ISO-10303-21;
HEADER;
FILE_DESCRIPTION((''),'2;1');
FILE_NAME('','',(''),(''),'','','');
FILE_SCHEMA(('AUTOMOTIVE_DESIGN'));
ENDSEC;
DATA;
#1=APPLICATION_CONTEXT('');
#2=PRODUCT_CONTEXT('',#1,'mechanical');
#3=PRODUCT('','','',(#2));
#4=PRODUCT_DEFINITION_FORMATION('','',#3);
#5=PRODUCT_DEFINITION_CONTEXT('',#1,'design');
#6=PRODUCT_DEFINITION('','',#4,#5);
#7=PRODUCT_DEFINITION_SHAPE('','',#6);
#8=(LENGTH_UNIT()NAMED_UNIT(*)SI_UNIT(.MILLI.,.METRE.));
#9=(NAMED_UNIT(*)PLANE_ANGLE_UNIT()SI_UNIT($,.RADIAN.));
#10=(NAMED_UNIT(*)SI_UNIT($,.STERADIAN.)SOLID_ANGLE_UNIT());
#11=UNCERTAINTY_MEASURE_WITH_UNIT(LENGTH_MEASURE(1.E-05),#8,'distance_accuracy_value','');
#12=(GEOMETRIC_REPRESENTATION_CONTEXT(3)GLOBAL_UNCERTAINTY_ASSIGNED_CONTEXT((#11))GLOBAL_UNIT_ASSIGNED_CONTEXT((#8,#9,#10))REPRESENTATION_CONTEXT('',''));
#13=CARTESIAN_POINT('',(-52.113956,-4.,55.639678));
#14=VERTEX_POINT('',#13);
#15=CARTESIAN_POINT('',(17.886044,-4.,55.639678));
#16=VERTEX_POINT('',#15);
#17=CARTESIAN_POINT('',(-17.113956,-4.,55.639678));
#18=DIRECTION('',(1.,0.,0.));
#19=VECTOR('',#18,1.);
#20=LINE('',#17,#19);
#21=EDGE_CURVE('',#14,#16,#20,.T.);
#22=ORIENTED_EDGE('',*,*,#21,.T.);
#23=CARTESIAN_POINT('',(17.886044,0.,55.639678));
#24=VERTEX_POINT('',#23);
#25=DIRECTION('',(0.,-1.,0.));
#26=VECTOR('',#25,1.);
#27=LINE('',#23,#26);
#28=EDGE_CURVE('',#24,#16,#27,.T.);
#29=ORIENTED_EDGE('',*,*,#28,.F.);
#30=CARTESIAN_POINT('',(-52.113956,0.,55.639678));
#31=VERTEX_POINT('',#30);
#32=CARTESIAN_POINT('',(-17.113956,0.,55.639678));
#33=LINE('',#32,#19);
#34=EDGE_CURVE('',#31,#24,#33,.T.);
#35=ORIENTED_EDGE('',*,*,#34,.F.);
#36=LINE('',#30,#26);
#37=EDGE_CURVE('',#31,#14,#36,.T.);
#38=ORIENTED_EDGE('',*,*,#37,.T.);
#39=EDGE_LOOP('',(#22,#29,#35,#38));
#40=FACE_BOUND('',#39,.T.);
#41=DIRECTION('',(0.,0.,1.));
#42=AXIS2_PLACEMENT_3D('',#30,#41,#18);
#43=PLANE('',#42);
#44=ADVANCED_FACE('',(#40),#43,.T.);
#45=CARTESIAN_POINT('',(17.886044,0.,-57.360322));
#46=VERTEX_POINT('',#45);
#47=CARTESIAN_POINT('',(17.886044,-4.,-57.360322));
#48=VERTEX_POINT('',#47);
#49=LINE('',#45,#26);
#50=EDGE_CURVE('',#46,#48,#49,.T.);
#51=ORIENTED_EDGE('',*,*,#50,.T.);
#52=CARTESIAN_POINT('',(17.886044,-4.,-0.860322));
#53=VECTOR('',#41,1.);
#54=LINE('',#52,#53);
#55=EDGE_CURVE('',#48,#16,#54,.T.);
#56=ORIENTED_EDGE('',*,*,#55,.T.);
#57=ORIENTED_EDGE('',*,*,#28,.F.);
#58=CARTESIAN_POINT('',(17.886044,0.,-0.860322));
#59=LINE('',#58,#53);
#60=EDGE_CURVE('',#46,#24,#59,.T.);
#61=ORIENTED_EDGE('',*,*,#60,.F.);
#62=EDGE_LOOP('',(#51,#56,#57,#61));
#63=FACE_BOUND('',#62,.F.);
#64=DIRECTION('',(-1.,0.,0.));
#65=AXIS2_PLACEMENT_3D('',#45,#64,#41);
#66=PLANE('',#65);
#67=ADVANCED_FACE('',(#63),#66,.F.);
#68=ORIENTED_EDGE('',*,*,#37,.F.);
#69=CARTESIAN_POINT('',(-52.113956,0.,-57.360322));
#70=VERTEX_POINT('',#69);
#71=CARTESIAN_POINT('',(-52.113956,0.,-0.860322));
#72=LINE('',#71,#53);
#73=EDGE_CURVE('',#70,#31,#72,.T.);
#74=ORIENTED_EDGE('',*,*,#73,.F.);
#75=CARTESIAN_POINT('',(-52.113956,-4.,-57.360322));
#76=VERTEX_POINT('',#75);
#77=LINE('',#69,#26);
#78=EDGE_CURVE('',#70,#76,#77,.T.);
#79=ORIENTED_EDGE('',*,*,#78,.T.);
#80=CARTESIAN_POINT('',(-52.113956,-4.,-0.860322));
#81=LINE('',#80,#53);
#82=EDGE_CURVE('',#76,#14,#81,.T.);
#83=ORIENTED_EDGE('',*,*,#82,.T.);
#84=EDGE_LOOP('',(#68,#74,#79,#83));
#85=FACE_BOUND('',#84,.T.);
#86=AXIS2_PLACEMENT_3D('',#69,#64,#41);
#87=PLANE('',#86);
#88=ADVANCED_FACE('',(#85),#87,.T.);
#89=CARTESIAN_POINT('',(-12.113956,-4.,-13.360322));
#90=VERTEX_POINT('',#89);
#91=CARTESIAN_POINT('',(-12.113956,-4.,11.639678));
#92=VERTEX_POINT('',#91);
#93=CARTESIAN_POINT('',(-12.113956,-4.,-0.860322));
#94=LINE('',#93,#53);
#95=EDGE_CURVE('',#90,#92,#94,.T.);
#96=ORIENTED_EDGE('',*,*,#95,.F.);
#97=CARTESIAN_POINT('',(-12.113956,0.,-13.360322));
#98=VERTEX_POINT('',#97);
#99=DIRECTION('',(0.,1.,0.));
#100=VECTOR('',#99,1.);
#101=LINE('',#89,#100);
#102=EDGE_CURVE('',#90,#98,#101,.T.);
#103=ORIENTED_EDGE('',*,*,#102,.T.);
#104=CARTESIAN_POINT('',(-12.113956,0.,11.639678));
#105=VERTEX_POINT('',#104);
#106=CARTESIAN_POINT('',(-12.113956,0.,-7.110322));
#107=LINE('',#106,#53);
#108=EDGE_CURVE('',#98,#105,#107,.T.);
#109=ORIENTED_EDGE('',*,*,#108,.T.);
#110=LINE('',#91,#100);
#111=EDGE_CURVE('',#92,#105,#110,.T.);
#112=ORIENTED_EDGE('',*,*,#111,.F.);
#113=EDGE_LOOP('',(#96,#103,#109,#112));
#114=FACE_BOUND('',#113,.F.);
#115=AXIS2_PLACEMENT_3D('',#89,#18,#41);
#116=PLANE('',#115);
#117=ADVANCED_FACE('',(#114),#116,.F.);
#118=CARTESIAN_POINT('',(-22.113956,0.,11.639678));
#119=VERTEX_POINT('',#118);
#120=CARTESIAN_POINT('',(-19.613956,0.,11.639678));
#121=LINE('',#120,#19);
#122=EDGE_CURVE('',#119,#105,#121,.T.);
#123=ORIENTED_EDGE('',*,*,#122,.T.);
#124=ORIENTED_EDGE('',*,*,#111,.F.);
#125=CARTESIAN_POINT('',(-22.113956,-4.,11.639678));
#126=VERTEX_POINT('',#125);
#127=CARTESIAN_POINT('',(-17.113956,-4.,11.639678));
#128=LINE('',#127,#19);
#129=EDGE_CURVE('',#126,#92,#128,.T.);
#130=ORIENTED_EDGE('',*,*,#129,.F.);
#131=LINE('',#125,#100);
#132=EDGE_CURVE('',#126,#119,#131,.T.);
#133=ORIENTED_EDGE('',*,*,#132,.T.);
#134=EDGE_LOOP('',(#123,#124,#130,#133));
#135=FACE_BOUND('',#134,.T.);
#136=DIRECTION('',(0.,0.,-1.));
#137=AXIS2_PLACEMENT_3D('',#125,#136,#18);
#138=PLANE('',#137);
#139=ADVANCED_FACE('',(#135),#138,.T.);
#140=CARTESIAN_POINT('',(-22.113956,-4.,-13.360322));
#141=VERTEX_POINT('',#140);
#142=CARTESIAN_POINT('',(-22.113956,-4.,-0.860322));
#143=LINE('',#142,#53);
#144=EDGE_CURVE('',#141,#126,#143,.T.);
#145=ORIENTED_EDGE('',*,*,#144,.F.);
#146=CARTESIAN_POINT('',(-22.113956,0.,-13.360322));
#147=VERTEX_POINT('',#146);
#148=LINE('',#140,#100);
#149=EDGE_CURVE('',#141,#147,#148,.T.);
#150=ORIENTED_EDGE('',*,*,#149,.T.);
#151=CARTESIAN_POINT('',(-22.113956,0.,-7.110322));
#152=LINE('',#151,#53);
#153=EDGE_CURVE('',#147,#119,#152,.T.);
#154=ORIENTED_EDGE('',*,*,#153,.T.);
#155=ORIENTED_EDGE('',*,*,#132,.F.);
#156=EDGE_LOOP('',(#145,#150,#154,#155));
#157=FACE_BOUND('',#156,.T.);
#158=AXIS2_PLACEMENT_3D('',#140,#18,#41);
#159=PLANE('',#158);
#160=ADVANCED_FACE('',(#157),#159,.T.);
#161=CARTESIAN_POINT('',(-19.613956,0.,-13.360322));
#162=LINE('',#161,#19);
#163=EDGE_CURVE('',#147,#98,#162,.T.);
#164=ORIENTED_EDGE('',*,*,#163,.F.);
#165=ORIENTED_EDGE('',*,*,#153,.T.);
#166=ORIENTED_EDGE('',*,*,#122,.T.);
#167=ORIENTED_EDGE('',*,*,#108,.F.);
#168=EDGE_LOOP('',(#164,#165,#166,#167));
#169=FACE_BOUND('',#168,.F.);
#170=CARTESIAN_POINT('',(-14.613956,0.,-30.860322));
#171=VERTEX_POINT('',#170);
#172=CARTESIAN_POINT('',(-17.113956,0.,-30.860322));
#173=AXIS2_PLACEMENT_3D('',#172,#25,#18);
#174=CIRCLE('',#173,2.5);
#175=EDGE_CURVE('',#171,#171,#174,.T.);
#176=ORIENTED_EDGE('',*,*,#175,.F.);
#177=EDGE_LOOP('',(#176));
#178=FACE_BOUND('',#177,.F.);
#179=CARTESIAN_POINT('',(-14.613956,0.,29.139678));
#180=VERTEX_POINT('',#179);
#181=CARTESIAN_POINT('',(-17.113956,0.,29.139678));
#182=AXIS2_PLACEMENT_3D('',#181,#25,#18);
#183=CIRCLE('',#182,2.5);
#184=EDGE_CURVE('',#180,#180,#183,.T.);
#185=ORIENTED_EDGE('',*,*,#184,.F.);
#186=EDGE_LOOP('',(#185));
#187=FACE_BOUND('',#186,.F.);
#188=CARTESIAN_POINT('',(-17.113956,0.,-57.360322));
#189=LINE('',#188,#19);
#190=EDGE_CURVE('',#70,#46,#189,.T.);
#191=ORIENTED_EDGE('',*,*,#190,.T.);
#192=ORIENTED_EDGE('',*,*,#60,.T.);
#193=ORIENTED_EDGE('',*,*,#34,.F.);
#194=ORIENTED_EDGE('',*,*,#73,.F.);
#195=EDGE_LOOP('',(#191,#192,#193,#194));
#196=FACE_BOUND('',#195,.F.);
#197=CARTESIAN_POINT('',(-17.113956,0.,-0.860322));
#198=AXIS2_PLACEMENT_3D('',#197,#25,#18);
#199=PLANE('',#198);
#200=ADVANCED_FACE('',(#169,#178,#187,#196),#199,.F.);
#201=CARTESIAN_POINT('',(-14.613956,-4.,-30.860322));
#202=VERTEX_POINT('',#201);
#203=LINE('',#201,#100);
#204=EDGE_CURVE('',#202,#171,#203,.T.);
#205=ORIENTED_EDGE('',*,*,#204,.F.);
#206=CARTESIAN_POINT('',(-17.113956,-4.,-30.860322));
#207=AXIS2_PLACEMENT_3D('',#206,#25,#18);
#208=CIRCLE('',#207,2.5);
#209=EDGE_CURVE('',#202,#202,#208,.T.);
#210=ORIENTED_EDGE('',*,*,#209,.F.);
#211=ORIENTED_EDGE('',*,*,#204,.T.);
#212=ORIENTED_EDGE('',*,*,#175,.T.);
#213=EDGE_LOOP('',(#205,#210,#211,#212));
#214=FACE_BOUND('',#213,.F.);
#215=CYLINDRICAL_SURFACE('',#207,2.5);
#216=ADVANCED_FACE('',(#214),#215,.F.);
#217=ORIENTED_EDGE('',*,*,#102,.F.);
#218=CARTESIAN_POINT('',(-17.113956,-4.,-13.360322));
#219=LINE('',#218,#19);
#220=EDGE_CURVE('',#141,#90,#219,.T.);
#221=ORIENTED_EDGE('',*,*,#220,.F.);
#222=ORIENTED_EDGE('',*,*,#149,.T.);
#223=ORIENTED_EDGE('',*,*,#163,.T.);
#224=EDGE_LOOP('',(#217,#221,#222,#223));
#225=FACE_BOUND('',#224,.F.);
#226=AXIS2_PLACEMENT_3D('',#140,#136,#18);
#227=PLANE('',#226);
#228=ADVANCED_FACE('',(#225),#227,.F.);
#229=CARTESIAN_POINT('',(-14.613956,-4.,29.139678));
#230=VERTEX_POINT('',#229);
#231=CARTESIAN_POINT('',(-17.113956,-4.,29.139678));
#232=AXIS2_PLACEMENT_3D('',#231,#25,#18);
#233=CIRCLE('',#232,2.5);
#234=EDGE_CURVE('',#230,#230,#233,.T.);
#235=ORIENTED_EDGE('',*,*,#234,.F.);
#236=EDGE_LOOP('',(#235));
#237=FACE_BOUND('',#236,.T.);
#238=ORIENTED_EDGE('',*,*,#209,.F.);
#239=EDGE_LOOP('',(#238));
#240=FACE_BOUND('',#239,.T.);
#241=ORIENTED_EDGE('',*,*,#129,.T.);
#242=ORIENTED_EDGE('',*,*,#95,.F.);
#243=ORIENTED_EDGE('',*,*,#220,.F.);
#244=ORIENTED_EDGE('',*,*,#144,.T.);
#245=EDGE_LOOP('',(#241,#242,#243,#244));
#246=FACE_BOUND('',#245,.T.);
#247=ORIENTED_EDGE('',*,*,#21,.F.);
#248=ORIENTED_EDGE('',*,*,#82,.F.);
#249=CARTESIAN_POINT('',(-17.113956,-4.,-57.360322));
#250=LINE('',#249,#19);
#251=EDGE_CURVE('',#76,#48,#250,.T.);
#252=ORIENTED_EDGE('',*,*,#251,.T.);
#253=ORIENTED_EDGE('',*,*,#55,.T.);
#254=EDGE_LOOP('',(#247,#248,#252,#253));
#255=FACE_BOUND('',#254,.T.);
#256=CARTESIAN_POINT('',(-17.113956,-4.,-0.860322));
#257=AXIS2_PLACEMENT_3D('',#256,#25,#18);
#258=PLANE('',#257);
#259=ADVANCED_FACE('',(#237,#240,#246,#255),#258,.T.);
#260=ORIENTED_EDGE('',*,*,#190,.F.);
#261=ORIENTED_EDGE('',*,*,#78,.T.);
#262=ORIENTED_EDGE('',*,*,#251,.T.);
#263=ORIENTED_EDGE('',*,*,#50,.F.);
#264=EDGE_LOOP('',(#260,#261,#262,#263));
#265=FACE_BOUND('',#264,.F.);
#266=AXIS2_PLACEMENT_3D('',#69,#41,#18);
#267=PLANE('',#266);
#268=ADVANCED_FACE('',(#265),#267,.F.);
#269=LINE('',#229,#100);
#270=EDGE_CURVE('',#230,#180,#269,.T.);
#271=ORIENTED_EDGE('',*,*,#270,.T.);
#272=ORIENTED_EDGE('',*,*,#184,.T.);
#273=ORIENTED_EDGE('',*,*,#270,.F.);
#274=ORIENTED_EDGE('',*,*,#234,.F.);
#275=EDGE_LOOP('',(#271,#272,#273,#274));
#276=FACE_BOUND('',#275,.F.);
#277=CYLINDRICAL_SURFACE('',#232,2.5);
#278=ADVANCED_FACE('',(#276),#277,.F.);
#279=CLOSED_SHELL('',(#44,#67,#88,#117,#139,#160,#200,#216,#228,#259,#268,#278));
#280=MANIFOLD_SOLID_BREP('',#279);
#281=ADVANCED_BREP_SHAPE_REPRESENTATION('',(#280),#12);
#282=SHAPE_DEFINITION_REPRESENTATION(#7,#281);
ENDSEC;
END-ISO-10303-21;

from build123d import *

# Parameters (mm, degrees)
F0_W     = 70
F0_H     = 113
F1_DEPTH = 4
F2_W     = 10
F2_H     = 25
F2_R     = 2.5
F3_DEPTH = 4.001


with BuildPart() as f1:
    # F0 (on Front) → F1 (new body)
    with BuildSketch(Plane.XZ):
        with Locations((-17.113956, -0.860322)):
            Rectangle(F0_W, F0_H)
    extrude(amount=F1_DEPTH)

    # F2 (on face) → F3 (cut, through all)
    with BuildSketch(Plane.XZ.offset(4)):
        with Locations((-17.113956, -0.860322)):
            Rectangle(F2_W, F2_H)
        with Locations((-17.113956, 29.139678)):
            Circle(F2_R)
        with Locations((-17.113956, -30.860322)):
            Circle(F2_R)
    extrude(amount=-F3_DEPTH, mode=Mode.SUBTRACT)


solid = f1.part
